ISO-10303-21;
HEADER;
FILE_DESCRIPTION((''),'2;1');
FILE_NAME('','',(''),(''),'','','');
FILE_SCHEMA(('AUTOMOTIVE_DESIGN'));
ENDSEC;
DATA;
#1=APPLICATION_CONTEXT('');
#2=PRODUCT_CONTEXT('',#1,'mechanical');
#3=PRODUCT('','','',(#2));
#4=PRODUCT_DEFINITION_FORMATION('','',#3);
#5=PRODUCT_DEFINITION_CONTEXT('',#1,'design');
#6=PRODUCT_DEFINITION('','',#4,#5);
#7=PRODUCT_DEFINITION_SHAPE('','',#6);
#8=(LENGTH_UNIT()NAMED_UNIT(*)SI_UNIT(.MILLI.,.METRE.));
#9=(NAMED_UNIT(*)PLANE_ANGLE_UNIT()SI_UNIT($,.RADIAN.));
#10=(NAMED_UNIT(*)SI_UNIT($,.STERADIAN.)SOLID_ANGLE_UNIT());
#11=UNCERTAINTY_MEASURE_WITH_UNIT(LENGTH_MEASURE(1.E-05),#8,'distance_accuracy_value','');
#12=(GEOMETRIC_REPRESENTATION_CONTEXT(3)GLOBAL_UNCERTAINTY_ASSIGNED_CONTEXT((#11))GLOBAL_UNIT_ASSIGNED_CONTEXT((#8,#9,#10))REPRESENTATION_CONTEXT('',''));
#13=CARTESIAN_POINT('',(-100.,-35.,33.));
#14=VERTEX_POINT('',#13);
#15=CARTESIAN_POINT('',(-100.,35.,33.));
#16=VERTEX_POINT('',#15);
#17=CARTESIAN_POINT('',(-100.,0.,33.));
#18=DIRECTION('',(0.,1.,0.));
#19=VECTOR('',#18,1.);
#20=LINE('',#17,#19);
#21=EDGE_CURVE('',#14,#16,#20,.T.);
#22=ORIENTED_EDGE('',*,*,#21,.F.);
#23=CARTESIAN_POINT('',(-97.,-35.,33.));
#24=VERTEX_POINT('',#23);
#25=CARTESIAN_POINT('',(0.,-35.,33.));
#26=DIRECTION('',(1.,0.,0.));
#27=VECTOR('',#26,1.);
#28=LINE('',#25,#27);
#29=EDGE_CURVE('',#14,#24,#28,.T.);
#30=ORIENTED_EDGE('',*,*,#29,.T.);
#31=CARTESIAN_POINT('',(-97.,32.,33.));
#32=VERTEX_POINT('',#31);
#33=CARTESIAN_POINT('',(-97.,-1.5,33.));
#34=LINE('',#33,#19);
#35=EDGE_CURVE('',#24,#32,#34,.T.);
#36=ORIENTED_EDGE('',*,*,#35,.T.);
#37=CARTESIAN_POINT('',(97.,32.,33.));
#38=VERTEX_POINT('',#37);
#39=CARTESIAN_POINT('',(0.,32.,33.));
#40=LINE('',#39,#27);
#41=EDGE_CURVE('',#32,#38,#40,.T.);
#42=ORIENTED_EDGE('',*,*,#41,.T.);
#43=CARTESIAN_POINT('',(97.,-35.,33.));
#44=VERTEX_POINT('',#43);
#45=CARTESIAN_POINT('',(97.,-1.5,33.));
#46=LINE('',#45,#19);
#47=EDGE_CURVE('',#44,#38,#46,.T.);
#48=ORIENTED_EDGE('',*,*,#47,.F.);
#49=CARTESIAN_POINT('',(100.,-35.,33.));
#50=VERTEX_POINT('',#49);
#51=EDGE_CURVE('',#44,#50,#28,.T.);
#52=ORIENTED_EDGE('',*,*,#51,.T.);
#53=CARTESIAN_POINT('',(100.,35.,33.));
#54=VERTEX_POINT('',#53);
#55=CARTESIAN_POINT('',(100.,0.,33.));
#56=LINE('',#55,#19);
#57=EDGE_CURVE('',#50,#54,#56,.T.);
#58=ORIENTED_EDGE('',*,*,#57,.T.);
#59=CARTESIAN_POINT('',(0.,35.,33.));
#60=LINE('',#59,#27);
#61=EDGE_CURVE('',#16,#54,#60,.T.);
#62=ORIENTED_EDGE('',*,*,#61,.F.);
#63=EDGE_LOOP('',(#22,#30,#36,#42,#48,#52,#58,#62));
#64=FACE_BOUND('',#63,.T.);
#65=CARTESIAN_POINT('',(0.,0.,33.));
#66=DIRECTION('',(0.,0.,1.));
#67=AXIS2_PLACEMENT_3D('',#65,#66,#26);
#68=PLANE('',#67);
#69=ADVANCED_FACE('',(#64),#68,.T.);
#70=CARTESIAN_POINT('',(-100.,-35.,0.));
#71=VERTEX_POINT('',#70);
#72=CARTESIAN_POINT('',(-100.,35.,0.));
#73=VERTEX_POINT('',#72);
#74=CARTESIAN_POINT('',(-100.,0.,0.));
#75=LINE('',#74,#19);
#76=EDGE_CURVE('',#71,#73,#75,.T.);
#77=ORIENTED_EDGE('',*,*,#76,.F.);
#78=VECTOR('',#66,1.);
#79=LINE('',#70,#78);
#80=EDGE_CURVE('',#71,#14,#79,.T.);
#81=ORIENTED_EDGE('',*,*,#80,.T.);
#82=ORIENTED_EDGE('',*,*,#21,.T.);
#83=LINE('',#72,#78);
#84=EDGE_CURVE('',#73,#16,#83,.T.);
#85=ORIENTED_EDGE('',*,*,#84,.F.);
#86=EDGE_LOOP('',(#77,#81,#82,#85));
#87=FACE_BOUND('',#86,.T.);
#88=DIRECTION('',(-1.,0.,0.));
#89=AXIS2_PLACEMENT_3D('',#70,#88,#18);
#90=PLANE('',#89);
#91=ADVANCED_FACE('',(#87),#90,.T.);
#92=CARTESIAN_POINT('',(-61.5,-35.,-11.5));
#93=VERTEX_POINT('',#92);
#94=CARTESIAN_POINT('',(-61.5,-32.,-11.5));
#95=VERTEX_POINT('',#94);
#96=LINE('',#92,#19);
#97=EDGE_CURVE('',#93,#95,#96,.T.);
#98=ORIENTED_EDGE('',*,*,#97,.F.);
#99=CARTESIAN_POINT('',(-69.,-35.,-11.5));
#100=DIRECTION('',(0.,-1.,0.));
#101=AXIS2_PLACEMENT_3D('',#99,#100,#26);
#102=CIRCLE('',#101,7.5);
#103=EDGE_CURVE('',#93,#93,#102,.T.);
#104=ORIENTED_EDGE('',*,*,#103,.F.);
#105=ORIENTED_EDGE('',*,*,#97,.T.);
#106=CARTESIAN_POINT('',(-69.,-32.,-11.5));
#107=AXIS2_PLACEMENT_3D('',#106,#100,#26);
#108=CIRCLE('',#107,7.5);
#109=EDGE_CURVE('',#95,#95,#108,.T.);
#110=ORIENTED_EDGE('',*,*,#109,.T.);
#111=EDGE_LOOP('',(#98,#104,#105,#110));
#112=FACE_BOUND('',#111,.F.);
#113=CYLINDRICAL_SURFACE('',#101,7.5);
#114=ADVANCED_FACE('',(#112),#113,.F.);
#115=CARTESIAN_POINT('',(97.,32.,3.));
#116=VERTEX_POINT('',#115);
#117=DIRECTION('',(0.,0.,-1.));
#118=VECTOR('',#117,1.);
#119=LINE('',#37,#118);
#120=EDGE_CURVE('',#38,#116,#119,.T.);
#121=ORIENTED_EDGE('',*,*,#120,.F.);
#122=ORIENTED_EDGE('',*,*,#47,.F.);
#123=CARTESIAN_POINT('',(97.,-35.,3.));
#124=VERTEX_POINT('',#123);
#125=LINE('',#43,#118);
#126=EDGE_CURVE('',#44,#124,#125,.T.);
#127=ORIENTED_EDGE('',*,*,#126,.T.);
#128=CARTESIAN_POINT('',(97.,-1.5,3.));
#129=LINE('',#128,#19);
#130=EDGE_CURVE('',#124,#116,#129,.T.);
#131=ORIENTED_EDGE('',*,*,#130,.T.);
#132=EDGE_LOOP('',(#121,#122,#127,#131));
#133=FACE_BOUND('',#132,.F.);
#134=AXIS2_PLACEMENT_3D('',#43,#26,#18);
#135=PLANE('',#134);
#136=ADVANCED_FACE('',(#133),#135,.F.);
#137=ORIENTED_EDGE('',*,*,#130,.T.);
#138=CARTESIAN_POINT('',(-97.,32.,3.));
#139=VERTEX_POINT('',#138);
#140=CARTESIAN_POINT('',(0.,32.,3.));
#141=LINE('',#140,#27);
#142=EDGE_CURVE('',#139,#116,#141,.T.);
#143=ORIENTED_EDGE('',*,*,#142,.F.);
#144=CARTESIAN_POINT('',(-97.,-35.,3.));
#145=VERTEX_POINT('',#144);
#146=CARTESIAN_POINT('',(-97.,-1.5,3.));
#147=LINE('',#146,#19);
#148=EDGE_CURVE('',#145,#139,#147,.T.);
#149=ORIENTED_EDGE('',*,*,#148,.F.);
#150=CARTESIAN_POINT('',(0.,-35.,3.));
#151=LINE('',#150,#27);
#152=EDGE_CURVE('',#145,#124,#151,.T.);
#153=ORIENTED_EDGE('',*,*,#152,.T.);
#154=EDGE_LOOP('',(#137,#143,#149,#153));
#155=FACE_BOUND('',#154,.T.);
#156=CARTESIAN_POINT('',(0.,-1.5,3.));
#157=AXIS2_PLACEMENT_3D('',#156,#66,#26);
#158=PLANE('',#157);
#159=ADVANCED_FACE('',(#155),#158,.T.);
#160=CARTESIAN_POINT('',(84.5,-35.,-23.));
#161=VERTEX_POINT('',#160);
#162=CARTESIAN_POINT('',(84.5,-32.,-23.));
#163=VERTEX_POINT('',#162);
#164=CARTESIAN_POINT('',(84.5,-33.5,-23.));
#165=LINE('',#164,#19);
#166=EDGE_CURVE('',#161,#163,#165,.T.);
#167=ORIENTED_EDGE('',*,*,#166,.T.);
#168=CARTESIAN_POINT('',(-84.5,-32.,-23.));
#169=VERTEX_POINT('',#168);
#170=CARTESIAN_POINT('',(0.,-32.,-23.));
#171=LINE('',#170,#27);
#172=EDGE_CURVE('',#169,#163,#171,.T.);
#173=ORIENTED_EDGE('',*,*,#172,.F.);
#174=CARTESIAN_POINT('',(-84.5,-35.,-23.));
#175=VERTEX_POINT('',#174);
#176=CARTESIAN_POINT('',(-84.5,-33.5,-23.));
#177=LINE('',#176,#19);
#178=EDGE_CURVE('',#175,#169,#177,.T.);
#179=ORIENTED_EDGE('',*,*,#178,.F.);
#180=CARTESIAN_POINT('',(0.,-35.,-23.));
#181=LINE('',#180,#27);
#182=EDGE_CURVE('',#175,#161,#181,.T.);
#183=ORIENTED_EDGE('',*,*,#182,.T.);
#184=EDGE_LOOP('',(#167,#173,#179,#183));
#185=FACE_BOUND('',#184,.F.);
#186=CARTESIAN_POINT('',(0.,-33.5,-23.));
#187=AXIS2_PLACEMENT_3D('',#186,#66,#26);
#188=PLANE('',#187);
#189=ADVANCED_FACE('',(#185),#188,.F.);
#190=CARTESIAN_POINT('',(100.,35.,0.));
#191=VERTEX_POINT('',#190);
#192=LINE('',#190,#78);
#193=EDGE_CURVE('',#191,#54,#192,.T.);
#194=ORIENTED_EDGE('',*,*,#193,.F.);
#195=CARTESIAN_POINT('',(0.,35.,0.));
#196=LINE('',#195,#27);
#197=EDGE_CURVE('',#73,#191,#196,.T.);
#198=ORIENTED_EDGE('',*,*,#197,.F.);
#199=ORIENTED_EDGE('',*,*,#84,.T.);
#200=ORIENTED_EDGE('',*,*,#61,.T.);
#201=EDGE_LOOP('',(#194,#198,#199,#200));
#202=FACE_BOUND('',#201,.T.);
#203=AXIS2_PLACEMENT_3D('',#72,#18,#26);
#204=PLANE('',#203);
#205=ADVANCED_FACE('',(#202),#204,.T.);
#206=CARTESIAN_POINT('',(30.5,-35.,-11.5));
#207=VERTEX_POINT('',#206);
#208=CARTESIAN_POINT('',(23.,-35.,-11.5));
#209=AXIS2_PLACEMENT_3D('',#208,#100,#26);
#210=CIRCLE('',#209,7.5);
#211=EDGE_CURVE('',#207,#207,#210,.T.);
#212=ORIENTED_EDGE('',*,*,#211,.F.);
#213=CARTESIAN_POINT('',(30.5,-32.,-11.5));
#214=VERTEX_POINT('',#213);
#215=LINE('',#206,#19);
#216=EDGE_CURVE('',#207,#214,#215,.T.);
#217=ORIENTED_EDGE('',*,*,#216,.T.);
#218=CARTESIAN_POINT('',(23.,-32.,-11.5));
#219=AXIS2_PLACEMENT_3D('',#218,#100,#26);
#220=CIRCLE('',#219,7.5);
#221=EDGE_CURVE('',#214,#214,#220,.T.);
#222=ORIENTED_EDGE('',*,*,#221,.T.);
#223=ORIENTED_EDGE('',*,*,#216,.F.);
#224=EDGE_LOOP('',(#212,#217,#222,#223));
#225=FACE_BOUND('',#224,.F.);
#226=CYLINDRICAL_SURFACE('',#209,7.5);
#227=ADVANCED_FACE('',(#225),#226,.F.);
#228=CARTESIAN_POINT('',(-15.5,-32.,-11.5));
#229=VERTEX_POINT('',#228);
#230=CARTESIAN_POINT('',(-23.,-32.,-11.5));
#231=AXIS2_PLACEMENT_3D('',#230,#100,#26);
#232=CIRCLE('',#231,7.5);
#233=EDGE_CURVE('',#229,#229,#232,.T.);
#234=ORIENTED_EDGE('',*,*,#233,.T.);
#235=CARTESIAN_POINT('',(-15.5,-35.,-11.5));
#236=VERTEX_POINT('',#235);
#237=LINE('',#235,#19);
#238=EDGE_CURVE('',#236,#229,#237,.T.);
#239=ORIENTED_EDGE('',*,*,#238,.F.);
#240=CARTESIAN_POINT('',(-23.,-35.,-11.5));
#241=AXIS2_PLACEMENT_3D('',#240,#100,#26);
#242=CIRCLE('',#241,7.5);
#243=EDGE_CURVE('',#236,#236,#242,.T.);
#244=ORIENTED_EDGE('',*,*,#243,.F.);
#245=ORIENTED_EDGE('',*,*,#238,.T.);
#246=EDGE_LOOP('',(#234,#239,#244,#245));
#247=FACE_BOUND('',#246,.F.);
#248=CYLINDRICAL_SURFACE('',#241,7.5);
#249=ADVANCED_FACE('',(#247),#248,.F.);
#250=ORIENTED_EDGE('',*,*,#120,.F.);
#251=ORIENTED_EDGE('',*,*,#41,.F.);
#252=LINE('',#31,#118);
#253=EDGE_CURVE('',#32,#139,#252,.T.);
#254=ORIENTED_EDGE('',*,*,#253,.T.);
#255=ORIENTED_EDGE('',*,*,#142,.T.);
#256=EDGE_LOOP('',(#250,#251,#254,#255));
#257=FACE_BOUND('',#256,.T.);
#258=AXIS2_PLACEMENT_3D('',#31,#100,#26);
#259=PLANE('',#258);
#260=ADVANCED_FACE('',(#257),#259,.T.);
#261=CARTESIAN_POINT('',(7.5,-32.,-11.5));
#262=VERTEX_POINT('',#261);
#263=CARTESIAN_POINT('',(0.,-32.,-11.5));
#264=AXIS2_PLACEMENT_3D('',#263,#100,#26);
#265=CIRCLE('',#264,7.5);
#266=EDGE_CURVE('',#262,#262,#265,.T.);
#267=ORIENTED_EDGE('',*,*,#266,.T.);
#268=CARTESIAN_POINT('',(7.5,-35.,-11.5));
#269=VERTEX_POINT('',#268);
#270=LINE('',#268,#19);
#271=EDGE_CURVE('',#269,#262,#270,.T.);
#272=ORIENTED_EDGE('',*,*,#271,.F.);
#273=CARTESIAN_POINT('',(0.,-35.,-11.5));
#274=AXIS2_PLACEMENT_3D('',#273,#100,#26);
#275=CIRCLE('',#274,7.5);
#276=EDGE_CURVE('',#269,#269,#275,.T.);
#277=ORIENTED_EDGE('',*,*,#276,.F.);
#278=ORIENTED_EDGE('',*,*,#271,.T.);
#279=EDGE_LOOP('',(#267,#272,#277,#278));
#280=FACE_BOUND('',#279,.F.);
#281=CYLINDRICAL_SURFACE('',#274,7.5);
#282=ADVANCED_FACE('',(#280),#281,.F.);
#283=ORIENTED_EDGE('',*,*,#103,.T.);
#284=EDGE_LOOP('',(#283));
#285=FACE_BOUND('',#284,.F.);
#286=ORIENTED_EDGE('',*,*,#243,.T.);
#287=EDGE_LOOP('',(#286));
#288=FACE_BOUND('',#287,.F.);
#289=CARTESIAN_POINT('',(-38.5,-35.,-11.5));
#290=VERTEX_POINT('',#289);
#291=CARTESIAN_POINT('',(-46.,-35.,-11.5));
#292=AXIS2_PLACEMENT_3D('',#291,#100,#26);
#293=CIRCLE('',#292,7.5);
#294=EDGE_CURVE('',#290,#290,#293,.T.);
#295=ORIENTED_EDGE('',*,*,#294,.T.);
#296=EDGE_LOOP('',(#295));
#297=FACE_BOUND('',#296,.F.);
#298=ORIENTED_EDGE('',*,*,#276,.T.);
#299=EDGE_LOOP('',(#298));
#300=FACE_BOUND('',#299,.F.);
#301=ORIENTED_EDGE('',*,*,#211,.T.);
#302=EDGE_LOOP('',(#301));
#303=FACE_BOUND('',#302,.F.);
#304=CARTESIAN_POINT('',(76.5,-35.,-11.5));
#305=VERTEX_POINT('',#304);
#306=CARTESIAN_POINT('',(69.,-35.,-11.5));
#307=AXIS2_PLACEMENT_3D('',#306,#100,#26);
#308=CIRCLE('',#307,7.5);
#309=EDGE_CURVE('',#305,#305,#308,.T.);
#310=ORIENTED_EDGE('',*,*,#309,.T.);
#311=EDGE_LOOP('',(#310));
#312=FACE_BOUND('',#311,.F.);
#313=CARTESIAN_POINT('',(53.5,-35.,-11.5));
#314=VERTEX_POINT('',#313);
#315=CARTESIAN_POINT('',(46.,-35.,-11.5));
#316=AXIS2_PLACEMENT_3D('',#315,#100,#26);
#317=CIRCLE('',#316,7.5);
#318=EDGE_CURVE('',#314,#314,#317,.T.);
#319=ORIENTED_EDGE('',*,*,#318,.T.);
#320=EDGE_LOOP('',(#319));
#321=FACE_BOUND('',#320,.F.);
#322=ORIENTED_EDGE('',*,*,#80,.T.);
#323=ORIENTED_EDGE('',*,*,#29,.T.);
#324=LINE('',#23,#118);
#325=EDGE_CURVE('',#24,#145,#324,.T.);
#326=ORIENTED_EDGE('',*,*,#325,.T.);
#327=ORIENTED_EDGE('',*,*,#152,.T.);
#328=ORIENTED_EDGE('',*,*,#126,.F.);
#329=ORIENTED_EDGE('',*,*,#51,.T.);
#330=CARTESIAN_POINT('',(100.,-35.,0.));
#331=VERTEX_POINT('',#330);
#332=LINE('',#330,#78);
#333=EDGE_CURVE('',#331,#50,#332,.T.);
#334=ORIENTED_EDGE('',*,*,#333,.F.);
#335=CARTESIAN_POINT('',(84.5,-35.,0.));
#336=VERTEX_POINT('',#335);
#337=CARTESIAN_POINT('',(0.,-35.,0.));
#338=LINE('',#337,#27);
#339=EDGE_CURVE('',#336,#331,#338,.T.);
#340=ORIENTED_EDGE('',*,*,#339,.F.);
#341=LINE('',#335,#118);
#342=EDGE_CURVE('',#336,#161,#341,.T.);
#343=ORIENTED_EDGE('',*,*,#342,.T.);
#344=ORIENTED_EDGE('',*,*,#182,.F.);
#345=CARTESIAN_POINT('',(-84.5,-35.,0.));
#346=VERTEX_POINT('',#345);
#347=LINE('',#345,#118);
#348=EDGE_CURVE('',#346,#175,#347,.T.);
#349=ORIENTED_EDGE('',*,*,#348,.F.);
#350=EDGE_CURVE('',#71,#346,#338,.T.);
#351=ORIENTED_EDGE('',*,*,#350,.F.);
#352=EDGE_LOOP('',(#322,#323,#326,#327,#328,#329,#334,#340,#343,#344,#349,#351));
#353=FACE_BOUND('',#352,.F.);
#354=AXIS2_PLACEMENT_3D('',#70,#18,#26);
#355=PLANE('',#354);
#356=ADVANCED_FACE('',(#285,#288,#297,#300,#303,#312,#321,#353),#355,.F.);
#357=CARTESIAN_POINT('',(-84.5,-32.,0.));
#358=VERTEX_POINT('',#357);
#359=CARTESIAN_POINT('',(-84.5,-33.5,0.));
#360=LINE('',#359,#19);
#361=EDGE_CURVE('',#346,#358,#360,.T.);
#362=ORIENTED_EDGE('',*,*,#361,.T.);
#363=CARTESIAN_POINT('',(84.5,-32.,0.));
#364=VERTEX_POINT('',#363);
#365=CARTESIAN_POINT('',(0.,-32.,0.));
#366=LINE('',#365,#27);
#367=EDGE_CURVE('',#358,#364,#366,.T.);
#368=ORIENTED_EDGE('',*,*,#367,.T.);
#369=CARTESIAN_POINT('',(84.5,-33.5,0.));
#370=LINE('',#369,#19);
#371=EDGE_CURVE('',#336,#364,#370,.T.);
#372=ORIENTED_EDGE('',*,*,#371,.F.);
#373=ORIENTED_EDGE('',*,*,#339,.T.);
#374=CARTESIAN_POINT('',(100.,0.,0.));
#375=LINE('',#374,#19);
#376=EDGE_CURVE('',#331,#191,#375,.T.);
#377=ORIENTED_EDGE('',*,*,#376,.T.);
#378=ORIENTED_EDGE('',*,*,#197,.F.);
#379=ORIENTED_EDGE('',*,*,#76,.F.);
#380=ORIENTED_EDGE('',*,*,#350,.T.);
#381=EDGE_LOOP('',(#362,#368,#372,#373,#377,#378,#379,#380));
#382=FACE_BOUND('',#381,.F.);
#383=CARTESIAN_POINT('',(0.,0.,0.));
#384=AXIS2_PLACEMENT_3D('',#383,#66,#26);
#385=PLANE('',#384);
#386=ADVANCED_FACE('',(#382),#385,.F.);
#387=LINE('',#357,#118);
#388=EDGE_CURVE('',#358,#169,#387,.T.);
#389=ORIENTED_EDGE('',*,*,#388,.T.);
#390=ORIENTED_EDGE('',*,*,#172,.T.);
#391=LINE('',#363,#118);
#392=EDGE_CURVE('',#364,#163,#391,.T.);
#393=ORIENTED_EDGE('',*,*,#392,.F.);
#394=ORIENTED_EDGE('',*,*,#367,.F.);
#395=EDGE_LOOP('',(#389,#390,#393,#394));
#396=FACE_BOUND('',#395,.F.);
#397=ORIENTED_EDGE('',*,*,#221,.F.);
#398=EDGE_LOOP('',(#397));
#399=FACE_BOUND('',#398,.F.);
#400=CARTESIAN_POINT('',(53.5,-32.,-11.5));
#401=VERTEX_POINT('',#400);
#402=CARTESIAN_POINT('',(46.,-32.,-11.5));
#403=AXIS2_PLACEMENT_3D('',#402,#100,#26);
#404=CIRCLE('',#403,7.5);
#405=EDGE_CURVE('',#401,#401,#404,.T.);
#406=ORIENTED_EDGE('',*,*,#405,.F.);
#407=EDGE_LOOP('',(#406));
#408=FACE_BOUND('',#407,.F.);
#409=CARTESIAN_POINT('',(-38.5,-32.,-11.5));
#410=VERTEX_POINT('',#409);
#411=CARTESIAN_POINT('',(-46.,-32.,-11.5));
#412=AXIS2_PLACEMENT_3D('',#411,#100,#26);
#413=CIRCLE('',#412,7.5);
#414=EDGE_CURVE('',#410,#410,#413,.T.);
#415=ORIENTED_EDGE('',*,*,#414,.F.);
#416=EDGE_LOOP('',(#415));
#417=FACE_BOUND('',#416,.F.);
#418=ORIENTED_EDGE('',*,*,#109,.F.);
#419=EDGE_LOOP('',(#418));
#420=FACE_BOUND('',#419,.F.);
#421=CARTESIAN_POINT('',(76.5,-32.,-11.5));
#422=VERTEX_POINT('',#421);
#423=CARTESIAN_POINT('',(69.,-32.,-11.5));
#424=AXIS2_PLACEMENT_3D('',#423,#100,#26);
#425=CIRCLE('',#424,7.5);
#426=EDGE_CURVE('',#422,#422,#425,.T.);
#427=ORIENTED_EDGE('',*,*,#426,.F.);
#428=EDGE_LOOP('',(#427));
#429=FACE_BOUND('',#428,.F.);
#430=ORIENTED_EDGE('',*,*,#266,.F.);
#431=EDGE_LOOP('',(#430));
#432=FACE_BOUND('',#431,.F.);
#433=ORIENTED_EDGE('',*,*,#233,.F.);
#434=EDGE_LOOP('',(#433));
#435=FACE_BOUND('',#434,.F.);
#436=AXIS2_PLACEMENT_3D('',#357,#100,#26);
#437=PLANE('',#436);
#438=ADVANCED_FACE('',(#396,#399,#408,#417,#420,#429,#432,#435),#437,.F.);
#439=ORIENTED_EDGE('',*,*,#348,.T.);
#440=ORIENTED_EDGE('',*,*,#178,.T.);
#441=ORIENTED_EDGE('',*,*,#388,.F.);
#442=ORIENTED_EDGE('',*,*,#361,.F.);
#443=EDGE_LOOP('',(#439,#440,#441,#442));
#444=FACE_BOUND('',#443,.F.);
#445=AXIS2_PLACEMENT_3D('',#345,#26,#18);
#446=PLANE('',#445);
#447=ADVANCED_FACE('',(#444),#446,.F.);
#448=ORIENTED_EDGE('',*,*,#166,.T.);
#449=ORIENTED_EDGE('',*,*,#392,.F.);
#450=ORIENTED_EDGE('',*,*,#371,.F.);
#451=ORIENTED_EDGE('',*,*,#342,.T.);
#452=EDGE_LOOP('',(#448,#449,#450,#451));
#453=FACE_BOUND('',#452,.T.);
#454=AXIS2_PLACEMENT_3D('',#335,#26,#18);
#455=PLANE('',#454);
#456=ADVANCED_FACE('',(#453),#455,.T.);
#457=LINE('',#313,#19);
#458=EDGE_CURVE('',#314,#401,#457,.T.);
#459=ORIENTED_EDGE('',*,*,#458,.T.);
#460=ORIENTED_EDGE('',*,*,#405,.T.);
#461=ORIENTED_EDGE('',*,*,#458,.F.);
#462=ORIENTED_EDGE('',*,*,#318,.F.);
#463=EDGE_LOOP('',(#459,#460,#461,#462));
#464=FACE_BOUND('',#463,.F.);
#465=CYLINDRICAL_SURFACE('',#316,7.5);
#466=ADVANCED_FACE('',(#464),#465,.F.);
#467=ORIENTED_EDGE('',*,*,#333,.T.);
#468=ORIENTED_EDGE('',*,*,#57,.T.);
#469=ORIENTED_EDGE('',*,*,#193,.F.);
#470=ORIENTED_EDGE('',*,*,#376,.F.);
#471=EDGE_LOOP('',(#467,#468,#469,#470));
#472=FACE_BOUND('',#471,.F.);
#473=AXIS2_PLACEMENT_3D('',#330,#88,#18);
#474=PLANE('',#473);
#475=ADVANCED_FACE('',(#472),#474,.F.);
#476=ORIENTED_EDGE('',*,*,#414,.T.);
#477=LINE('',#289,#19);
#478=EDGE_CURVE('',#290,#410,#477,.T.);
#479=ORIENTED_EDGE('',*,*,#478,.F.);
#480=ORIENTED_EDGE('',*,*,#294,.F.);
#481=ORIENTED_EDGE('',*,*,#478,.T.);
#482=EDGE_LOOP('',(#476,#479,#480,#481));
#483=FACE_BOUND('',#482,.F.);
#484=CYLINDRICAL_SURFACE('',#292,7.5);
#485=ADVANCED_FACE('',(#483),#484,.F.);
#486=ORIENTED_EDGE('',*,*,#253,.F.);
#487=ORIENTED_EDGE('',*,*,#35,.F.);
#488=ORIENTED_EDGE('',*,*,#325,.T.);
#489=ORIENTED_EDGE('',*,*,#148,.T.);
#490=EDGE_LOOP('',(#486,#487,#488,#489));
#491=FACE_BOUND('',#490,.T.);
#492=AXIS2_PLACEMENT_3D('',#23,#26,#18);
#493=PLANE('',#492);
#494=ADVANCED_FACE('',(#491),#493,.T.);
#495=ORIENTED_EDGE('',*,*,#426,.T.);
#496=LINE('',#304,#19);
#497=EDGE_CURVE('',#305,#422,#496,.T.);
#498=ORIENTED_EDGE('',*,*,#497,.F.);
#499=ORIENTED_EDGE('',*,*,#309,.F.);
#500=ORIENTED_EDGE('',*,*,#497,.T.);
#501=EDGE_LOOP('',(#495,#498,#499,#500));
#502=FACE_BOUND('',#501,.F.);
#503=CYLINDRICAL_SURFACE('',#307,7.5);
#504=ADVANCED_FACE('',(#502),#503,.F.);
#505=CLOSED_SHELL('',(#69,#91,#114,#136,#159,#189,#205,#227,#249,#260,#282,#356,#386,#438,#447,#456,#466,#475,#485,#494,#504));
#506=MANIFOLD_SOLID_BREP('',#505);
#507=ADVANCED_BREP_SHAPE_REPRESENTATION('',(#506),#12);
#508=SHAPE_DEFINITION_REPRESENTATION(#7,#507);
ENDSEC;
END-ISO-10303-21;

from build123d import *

# Parameters (mm, degrees)
SKETCH_W        = 200
SKETCH_H        = 70
PAD_DEPTH       = 33
SKETCH001_W     = 194
SKETCH001_H     = 67
POCKET_DEPTH    = 30
SKETCH002_W     = 169
SKETCH002_H     = 3
PAD001_DEPTH    = 23
SKETCH004_R     = 7.5
POCKET001_DEPTH = 5


with BuildPart() as part:
    # Sketch → Pad (new body)
    with BuildSketch(Plane.XY):
        Rectangle(SKETCH_W, SKETCH_H)
    extrude(amount=PAD_DEPTH)

    # Sketch001 (on Face6 of Pad) → Pocket (cut)
    with BuildSketch(Plane.XY.offset(33)):
        with Locations((0, -1.5)):
            Rectangle(SKETCH001_W, SKETCH001_H)
    extrude(amount=-POCKET_DEPTH, mode=Mode.SUBTRACT)

    # Sketch002 → Pad001 (join)
    with BuildSketch(Plane.XY):
        with Locations((0, -33.5)):
            Rectangle(SKETCH002_W, SKETCH002_H)
    extrude(amount=-PAD001_DEPTH)

    # Sketch004 (on Face14 of Pad001) → Pocket001 (cut)
    with BuildSketch(Plane.XZ.offset(35)):
        with Locations((0, -11.5)):
            Circle(SKETCH004_R)
        with Locations((-23, -11.5)):
            Circle(SKETCH004_R)
        with Locations((23, -11.5)):
            Circle(SKETCH004_R)
        with Locations((46, -11.5)):
            Circle(SKETCH004_R)
        with Locations((69, -11.5)):
            Circle(SKETCH004_R)
        with Locations((-46, -11.5)):
            Circle(SKETCH004_R)
        with Locations((-69, -11.5)):
            Circle(SKETCH004_R)
    extrude(amount=-POCKET001_DEPTH, mode=Mode.SUBTRACT)


solid = part.part
